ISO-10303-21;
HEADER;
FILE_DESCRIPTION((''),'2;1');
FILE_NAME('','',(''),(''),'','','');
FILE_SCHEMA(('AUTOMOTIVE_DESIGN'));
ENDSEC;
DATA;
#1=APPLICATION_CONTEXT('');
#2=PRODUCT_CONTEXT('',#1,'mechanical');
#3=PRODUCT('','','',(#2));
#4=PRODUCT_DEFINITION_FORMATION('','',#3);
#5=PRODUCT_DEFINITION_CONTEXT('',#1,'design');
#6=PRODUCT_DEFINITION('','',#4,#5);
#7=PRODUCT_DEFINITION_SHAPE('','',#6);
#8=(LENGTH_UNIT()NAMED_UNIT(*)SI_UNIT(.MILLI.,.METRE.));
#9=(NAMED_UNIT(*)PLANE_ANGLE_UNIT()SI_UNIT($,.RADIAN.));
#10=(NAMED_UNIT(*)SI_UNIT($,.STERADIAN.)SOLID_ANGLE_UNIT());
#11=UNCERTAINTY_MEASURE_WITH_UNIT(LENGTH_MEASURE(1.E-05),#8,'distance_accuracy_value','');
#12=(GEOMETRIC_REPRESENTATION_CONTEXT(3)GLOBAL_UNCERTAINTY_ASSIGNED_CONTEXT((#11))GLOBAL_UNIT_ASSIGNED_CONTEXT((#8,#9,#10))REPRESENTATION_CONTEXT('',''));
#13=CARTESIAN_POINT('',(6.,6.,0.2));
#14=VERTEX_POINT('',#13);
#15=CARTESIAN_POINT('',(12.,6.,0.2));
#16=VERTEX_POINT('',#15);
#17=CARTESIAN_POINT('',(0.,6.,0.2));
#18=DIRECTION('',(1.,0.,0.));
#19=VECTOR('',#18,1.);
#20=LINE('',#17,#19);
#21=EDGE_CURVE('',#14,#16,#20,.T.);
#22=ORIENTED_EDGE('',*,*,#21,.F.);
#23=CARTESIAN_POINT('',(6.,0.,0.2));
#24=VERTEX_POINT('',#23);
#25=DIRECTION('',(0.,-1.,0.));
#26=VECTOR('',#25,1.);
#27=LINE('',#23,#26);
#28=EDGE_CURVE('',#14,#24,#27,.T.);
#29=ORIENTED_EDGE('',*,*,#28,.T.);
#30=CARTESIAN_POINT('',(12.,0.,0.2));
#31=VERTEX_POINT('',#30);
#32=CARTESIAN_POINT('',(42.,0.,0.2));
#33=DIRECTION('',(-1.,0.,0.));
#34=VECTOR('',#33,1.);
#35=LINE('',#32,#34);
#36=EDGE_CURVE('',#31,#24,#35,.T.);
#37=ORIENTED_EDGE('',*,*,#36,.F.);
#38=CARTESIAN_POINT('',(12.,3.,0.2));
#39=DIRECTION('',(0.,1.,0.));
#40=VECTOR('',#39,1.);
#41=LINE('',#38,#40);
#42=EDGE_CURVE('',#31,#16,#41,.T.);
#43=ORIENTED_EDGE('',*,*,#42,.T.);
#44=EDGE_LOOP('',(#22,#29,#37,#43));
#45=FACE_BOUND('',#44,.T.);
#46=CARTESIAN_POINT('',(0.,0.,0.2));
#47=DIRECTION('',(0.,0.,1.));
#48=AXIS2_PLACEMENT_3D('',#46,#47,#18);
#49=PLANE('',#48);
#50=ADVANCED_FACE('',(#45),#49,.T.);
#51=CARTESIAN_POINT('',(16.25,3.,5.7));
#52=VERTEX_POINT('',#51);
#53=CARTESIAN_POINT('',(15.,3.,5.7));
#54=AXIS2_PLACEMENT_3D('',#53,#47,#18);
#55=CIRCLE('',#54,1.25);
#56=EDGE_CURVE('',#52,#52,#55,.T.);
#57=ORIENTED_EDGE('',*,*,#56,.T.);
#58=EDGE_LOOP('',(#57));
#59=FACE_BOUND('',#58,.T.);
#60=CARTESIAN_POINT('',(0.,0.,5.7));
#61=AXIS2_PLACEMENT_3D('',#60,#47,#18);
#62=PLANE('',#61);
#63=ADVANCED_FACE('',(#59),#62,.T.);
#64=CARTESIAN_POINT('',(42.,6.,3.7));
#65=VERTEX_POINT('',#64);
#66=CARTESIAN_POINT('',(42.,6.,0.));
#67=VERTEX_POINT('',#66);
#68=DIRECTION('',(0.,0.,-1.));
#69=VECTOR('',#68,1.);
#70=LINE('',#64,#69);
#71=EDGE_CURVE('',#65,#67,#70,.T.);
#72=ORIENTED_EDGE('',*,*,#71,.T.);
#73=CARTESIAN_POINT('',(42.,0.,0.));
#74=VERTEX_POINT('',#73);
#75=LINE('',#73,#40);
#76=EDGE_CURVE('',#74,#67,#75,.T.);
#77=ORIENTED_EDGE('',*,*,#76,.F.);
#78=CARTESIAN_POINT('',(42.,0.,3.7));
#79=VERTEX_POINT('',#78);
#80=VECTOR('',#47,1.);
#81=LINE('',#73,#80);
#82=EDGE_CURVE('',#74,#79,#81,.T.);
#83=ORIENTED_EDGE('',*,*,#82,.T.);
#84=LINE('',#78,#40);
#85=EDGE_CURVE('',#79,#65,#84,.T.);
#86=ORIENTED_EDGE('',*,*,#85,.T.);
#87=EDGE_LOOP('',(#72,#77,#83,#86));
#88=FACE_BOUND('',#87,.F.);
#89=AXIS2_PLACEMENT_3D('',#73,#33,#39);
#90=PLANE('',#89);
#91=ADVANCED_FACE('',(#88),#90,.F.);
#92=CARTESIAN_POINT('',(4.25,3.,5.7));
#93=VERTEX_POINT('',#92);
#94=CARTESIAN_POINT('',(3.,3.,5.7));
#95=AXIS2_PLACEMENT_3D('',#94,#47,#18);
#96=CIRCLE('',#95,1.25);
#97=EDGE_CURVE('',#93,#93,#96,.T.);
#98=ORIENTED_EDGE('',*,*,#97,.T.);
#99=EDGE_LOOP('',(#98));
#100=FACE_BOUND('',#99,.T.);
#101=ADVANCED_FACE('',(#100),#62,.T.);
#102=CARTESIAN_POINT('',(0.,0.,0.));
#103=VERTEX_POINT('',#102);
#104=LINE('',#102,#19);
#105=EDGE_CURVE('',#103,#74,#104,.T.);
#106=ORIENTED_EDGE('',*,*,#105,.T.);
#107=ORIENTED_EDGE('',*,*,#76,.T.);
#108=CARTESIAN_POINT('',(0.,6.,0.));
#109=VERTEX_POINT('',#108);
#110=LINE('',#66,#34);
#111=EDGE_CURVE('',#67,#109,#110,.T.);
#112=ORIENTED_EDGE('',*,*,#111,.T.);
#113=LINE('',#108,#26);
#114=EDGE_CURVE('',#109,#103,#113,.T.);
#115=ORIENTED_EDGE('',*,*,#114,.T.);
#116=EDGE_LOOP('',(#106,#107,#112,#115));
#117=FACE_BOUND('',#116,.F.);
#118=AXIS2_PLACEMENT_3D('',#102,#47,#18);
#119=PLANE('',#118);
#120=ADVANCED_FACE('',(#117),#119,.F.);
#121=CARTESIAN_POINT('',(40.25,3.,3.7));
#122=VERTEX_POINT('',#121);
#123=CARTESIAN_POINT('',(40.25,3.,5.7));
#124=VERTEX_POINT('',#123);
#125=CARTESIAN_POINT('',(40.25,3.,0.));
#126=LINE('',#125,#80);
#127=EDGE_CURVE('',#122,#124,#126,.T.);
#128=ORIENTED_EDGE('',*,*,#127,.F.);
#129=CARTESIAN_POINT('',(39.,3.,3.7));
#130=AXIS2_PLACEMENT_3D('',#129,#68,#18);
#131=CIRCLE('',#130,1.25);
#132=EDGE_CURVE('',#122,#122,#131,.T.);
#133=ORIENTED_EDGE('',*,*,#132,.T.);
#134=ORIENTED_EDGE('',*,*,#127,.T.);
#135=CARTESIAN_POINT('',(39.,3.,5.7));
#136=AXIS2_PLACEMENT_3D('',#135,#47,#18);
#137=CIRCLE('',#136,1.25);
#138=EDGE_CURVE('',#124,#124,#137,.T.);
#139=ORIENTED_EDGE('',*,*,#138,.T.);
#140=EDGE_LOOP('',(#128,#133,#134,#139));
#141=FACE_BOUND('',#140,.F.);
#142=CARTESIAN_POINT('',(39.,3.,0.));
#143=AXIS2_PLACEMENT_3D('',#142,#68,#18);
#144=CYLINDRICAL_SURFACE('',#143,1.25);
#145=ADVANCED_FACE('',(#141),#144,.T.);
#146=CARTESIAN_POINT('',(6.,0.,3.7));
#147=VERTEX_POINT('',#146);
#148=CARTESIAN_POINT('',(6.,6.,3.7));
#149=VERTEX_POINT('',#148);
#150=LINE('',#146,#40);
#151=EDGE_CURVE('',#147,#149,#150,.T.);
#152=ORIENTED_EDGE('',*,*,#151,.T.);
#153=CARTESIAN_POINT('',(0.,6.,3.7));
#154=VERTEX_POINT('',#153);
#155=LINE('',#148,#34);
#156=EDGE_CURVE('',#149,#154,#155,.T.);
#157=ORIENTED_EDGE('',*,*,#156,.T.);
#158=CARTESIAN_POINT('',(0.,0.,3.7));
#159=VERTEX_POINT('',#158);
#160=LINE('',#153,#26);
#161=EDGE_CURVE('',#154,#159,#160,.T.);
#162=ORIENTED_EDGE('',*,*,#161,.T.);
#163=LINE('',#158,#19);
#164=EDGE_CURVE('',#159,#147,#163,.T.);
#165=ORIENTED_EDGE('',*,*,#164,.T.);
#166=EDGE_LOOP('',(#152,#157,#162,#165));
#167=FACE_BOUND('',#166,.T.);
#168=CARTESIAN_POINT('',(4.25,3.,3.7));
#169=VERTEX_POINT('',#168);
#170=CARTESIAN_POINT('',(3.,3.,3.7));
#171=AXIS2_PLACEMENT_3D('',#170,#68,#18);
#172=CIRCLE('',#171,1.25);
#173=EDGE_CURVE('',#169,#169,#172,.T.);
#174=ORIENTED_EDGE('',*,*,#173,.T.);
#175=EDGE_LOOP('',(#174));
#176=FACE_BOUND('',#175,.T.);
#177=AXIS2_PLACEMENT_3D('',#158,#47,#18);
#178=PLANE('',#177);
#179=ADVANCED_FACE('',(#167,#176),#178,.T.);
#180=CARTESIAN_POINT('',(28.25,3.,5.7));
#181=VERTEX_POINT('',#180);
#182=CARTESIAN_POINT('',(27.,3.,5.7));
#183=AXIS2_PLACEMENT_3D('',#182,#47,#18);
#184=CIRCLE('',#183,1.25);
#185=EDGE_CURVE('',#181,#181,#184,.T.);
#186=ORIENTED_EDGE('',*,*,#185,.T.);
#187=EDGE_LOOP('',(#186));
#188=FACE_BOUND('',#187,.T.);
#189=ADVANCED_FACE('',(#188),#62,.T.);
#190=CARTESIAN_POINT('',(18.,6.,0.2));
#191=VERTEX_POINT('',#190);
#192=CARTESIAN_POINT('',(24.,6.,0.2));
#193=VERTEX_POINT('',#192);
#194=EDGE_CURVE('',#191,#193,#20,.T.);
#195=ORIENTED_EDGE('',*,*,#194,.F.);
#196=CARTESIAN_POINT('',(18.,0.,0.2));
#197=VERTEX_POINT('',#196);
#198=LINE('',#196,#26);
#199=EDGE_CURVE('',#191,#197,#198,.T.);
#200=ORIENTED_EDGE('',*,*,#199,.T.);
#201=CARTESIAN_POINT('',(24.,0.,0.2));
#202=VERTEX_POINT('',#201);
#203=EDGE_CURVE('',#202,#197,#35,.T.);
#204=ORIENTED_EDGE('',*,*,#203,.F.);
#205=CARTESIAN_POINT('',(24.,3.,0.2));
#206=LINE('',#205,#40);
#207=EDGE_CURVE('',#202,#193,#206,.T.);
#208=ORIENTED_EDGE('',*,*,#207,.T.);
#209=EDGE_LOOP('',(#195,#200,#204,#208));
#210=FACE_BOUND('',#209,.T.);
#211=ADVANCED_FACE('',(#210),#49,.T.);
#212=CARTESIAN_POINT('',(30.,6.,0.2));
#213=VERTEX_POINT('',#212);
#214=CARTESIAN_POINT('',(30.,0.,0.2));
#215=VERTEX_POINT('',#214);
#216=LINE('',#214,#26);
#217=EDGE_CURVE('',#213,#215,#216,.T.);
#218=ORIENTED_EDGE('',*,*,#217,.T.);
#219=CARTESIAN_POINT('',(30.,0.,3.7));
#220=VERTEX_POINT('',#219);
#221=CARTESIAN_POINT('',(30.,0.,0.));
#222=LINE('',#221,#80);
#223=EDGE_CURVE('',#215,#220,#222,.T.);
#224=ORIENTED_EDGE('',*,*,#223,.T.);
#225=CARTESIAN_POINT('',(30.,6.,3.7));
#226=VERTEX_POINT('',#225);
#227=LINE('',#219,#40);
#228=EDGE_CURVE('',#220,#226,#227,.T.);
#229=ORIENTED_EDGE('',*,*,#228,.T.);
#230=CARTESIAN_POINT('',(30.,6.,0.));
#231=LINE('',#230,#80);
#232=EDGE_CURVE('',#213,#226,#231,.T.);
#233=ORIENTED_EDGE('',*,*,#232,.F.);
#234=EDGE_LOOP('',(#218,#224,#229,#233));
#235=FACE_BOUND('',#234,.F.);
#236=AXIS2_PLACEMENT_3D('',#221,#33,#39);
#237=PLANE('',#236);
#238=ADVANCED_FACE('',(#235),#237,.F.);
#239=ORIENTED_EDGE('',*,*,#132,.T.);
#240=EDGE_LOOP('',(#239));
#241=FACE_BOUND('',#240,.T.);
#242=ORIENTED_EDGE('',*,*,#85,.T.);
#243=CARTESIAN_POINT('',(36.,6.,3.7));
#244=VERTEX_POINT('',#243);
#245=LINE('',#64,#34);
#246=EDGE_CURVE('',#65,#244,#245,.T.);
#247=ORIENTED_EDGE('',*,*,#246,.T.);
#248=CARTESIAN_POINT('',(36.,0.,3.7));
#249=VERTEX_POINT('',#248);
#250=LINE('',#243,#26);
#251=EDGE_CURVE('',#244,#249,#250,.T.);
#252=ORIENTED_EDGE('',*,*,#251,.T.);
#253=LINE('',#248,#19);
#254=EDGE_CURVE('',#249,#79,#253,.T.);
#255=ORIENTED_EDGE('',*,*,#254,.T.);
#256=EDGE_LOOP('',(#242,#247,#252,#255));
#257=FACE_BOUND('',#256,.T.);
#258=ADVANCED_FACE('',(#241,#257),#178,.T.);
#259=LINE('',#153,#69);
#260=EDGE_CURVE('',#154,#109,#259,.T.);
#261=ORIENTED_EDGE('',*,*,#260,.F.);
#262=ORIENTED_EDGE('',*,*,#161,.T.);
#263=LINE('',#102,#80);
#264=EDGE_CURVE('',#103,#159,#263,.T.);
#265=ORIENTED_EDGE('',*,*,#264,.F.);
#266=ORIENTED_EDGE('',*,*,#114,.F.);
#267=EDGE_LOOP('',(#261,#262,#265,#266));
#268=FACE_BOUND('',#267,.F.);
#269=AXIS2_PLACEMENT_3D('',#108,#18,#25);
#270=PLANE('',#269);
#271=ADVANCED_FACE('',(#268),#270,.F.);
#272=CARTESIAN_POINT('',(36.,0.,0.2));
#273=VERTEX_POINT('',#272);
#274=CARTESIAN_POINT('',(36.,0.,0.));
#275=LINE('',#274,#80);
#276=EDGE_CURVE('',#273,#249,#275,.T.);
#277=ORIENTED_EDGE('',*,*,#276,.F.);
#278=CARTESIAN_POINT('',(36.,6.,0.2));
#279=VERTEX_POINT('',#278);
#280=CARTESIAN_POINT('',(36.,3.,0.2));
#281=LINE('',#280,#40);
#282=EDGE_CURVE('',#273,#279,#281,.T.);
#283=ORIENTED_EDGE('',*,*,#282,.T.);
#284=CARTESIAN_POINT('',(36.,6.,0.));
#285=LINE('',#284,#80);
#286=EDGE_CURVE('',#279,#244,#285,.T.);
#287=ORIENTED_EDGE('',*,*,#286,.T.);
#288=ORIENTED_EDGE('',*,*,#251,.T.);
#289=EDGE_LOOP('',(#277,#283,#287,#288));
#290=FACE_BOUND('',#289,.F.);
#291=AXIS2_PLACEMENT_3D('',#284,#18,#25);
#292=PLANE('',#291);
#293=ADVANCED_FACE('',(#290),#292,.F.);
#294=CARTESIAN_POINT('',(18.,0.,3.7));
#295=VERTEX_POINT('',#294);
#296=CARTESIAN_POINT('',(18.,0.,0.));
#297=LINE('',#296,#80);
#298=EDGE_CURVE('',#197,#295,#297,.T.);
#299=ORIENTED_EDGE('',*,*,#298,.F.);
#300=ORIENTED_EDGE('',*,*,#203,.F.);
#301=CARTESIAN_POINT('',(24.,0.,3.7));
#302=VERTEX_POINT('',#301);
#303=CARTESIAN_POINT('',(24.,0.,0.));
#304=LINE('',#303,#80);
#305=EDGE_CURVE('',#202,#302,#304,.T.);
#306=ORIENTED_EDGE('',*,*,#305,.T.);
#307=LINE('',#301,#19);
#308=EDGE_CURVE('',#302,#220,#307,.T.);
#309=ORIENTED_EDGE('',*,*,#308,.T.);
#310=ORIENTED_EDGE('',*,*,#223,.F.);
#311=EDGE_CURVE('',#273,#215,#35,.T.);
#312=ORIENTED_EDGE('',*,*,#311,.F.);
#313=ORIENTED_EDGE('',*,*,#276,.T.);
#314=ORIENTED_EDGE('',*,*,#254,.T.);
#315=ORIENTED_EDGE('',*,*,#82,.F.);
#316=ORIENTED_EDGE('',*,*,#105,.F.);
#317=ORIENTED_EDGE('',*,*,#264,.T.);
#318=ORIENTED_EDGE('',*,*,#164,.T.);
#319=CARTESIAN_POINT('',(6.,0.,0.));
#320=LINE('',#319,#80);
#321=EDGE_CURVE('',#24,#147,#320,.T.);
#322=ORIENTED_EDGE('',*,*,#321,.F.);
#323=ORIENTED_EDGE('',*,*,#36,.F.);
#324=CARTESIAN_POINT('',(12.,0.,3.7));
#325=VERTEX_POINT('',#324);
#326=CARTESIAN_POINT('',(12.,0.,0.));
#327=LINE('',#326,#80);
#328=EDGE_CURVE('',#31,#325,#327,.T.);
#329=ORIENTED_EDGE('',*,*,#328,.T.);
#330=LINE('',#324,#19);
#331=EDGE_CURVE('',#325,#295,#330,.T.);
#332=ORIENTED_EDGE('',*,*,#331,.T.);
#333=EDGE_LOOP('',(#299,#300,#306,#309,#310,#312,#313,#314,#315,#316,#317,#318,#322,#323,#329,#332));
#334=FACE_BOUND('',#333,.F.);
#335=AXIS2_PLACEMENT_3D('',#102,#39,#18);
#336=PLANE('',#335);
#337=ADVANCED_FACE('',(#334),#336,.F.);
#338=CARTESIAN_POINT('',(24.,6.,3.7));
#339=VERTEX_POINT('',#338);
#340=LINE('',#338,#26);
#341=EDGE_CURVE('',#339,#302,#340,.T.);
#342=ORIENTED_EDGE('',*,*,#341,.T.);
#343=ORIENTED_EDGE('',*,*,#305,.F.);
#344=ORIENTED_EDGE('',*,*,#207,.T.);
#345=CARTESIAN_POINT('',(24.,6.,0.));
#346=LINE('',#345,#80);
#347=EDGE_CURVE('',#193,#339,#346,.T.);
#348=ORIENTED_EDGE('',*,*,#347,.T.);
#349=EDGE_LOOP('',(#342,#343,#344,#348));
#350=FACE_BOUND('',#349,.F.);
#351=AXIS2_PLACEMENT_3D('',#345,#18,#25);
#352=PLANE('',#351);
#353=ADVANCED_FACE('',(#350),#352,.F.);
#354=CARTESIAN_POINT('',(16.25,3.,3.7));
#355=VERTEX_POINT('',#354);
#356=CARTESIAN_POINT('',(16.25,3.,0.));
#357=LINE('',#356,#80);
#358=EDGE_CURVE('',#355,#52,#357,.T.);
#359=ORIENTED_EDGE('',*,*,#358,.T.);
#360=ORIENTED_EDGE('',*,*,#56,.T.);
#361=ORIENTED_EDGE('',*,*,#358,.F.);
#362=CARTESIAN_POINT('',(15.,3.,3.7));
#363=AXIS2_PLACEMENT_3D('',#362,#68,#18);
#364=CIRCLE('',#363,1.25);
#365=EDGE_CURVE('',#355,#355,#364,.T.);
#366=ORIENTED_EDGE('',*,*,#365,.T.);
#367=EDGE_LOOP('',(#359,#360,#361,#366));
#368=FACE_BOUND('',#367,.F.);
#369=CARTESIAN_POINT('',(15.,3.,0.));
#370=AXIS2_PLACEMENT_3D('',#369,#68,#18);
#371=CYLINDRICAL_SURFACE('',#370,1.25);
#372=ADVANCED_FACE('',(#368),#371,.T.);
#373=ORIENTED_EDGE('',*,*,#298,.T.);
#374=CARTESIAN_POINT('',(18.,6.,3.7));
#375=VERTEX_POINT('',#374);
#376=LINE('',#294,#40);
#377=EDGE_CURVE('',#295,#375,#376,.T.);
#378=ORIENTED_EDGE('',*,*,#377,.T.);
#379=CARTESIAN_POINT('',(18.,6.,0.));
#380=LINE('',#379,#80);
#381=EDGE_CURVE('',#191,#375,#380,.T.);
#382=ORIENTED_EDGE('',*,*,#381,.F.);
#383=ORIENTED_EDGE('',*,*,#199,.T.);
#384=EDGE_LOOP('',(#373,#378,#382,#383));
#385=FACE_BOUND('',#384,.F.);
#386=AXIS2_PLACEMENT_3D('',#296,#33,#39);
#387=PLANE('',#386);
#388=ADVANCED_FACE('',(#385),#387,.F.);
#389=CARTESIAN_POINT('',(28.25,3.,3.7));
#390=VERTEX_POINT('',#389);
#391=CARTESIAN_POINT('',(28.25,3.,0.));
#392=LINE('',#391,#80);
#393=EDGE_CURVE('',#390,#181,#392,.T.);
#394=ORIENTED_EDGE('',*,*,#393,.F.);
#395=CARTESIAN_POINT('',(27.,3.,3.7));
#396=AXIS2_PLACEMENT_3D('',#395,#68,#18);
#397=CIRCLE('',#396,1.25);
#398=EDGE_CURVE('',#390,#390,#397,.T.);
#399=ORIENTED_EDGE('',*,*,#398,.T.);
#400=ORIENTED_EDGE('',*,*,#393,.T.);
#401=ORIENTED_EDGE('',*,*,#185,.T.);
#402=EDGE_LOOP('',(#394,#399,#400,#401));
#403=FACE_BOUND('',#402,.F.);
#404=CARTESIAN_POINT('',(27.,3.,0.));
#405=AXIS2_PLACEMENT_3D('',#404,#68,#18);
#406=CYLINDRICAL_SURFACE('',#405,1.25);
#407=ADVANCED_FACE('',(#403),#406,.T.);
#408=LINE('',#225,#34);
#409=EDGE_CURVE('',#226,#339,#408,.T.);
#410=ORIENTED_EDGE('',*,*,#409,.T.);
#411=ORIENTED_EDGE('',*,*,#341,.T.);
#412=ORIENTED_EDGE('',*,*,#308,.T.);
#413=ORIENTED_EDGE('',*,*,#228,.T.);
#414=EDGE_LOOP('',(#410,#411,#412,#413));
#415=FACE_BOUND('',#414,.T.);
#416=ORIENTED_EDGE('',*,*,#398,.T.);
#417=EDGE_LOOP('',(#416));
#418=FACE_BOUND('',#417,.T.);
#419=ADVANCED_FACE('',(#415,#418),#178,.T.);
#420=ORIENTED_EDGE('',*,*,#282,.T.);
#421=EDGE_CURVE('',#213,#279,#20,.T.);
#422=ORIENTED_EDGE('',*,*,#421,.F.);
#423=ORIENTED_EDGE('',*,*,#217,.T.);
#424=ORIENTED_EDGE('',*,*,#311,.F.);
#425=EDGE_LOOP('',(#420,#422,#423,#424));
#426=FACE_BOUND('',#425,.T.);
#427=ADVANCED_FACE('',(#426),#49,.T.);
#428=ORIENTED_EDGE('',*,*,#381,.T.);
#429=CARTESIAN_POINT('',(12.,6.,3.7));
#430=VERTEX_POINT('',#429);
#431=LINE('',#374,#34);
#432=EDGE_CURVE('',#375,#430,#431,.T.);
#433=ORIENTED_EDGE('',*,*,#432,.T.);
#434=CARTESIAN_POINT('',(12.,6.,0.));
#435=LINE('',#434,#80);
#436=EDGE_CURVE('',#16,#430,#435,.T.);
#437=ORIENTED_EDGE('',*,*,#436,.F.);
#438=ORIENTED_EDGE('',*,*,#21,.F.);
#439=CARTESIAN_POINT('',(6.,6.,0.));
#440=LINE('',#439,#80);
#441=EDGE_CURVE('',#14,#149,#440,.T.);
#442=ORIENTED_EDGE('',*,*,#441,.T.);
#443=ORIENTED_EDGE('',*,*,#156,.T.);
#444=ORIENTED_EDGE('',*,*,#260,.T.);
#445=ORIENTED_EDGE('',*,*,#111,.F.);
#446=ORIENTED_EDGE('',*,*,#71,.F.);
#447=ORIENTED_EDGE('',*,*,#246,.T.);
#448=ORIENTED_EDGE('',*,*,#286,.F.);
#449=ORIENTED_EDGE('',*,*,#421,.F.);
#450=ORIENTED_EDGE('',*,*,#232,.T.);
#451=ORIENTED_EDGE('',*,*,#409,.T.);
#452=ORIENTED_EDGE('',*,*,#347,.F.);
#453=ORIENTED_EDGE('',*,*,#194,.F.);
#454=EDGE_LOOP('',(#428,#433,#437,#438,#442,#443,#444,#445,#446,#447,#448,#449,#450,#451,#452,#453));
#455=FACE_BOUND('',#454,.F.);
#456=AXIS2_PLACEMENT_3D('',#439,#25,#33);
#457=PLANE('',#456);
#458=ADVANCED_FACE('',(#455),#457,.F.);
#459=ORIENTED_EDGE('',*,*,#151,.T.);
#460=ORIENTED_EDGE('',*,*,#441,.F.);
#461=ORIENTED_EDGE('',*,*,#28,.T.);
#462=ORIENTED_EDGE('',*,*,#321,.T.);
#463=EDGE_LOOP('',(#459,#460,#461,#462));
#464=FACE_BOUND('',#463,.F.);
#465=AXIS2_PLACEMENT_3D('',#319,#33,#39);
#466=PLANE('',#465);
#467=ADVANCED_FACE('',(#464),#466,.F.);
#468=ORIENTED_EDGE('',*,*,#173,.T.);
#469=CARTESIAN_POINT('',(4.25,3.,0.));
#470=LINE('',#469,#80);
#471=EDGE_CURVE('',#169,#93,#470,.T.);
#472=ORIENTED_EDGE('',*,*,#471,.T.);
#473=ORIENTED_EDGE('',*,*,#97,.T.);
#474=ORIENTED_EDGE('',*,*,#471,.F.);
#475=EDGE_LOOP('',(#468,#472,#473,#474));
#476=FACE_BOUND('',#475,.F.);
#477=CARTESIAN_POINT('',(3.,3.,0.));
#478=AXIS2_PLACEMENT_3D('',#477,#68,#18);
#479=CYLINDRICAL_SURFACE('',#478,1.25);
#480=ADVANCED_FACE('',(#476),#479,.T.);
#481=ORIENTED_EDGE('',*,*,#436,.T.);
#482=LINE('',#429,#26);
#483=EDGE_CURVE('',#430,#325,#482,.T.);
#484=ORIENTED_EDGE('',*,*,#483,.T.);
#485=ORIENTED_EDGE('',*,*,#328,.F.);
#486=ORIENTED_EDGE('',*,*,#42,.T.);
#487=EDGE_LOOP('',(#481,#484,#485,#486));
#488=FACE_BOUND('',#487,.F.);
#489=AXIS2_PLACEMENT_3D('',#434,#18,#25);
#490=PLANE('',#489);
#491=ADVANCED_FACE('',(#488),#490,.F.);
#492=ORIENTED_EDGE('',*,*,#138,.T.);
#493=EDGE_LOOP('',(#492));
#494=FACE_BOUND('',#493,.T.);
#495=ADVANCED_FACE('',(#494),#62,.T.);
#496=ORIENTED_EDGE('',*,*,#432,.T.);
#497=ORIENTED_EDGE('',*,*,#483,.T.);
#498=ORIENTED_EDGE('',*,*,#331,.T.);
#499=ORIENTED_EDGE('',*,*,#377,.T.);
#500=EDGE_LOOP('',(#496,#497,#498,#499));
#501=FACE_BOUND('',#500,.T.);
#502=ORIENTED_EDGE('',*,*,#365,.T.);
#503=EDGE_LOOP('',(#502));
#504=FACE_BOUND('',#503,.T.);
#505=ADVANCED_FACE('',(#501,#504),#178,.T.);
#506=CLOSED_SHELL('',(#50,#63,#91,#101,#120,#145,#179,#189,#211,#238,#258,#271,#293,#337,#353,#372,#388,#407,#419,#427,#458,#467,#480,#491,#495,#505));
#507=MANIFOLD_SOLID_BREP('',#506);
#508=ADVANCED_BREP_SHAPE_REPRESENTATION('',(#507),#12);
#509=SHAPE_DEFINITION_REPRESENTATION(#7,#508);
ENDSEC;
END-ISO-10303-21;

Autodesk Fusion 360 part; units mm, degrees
sketch "Sketch1" plane through (0, 0, 0) normal (0, 0, 1) x (1, 0, 0)
  line L0 (0, 0) -> (6, 0)
  line L1 (6, 0) -> (6, 6)
  line L2 (6, 6) -> (0, 6)
  line L3 (0, 6) -> (0, 0)
  line L4 (12, 0) -> (18, 0)
  line L5 (18, 0) -> (18, 6)
  line L6 (18, 6) -> (12, 6)
  line L7 (12, 6) -> (12, 0)
  line L8 (24, 0) -> (30, 0)
  line L9 (30, 0) -> (30, 6)
  line L10 (30, 6) -> (24, 6)
  line L11 (24, 6) -> (24, 0)
  line L12 (36, 0) -> (42, 0)
  line L13 (42, 0) -> (42, 6)
  line L14 (42, 6) -> (36, 6)
  line L15 (36, 6) -> (36, 0)
  line L16 (0, 0) -> (42, 0)
  line L17 (42, 0) -> (42, 6)
  line L18 (42, 6) -> (0, 6)
  line L19 (0, 6) -> (0, 0)
  circle A0 centre (3, 3) radius 1.25
  circle A1 centre (15, 3) radius 1.25
  circle A2 centre (27, 3) radius 1.25
  circle A3 centre (39, 3) radius 1.25
  dimension "d1" = 6
  dimension "d2" = 6
  dimension "d5" = 6
  dimension "d6" = 6
  dimension "d7" = 6
  dimension "d8" = 6
  dimension "d9" = 6
  dimension "d10" = 6
  dimension "d11" = 6
  dimension "d12" = 6
  dimension "d13" = 6
  dimension "d18" = 2.5
  dimension "d19" = 2.5
  dimension "d20" = 2.5
  dimension "d21" = 2.5
extrude "Extrude2" add sketch "Sketch1" along normal blind 0.2 contours L0 L1 L2 L3 L16 L18 L19 | L1 L7 L16 L18 | L4 L5 L6 L7 L16 L18 | L5 L11 L16 L18 | L8 L9 L10 L11 L16 L18 | L9 L15 L16 L18 | L12 L13 L14 L15 L16 L17 L18 | A0 | A1 | A2 | A3
extrude "Extrude3" add sketch "Sketch1" along normal blind 3.7 contours L0 L1 L2 L3 L16 L18 L19 | L4 L5 L6 L7 L16 L18 | L8 L9 L10 L11 L16 L18 | L12 L13 L14 L15 L16 L17 L18 | A0 | A1 | A2 | A3
extrude "Extrude4" add sketch "Sketch1" along normal blind 5.7 contours A0 | A1 | A2 | A3
